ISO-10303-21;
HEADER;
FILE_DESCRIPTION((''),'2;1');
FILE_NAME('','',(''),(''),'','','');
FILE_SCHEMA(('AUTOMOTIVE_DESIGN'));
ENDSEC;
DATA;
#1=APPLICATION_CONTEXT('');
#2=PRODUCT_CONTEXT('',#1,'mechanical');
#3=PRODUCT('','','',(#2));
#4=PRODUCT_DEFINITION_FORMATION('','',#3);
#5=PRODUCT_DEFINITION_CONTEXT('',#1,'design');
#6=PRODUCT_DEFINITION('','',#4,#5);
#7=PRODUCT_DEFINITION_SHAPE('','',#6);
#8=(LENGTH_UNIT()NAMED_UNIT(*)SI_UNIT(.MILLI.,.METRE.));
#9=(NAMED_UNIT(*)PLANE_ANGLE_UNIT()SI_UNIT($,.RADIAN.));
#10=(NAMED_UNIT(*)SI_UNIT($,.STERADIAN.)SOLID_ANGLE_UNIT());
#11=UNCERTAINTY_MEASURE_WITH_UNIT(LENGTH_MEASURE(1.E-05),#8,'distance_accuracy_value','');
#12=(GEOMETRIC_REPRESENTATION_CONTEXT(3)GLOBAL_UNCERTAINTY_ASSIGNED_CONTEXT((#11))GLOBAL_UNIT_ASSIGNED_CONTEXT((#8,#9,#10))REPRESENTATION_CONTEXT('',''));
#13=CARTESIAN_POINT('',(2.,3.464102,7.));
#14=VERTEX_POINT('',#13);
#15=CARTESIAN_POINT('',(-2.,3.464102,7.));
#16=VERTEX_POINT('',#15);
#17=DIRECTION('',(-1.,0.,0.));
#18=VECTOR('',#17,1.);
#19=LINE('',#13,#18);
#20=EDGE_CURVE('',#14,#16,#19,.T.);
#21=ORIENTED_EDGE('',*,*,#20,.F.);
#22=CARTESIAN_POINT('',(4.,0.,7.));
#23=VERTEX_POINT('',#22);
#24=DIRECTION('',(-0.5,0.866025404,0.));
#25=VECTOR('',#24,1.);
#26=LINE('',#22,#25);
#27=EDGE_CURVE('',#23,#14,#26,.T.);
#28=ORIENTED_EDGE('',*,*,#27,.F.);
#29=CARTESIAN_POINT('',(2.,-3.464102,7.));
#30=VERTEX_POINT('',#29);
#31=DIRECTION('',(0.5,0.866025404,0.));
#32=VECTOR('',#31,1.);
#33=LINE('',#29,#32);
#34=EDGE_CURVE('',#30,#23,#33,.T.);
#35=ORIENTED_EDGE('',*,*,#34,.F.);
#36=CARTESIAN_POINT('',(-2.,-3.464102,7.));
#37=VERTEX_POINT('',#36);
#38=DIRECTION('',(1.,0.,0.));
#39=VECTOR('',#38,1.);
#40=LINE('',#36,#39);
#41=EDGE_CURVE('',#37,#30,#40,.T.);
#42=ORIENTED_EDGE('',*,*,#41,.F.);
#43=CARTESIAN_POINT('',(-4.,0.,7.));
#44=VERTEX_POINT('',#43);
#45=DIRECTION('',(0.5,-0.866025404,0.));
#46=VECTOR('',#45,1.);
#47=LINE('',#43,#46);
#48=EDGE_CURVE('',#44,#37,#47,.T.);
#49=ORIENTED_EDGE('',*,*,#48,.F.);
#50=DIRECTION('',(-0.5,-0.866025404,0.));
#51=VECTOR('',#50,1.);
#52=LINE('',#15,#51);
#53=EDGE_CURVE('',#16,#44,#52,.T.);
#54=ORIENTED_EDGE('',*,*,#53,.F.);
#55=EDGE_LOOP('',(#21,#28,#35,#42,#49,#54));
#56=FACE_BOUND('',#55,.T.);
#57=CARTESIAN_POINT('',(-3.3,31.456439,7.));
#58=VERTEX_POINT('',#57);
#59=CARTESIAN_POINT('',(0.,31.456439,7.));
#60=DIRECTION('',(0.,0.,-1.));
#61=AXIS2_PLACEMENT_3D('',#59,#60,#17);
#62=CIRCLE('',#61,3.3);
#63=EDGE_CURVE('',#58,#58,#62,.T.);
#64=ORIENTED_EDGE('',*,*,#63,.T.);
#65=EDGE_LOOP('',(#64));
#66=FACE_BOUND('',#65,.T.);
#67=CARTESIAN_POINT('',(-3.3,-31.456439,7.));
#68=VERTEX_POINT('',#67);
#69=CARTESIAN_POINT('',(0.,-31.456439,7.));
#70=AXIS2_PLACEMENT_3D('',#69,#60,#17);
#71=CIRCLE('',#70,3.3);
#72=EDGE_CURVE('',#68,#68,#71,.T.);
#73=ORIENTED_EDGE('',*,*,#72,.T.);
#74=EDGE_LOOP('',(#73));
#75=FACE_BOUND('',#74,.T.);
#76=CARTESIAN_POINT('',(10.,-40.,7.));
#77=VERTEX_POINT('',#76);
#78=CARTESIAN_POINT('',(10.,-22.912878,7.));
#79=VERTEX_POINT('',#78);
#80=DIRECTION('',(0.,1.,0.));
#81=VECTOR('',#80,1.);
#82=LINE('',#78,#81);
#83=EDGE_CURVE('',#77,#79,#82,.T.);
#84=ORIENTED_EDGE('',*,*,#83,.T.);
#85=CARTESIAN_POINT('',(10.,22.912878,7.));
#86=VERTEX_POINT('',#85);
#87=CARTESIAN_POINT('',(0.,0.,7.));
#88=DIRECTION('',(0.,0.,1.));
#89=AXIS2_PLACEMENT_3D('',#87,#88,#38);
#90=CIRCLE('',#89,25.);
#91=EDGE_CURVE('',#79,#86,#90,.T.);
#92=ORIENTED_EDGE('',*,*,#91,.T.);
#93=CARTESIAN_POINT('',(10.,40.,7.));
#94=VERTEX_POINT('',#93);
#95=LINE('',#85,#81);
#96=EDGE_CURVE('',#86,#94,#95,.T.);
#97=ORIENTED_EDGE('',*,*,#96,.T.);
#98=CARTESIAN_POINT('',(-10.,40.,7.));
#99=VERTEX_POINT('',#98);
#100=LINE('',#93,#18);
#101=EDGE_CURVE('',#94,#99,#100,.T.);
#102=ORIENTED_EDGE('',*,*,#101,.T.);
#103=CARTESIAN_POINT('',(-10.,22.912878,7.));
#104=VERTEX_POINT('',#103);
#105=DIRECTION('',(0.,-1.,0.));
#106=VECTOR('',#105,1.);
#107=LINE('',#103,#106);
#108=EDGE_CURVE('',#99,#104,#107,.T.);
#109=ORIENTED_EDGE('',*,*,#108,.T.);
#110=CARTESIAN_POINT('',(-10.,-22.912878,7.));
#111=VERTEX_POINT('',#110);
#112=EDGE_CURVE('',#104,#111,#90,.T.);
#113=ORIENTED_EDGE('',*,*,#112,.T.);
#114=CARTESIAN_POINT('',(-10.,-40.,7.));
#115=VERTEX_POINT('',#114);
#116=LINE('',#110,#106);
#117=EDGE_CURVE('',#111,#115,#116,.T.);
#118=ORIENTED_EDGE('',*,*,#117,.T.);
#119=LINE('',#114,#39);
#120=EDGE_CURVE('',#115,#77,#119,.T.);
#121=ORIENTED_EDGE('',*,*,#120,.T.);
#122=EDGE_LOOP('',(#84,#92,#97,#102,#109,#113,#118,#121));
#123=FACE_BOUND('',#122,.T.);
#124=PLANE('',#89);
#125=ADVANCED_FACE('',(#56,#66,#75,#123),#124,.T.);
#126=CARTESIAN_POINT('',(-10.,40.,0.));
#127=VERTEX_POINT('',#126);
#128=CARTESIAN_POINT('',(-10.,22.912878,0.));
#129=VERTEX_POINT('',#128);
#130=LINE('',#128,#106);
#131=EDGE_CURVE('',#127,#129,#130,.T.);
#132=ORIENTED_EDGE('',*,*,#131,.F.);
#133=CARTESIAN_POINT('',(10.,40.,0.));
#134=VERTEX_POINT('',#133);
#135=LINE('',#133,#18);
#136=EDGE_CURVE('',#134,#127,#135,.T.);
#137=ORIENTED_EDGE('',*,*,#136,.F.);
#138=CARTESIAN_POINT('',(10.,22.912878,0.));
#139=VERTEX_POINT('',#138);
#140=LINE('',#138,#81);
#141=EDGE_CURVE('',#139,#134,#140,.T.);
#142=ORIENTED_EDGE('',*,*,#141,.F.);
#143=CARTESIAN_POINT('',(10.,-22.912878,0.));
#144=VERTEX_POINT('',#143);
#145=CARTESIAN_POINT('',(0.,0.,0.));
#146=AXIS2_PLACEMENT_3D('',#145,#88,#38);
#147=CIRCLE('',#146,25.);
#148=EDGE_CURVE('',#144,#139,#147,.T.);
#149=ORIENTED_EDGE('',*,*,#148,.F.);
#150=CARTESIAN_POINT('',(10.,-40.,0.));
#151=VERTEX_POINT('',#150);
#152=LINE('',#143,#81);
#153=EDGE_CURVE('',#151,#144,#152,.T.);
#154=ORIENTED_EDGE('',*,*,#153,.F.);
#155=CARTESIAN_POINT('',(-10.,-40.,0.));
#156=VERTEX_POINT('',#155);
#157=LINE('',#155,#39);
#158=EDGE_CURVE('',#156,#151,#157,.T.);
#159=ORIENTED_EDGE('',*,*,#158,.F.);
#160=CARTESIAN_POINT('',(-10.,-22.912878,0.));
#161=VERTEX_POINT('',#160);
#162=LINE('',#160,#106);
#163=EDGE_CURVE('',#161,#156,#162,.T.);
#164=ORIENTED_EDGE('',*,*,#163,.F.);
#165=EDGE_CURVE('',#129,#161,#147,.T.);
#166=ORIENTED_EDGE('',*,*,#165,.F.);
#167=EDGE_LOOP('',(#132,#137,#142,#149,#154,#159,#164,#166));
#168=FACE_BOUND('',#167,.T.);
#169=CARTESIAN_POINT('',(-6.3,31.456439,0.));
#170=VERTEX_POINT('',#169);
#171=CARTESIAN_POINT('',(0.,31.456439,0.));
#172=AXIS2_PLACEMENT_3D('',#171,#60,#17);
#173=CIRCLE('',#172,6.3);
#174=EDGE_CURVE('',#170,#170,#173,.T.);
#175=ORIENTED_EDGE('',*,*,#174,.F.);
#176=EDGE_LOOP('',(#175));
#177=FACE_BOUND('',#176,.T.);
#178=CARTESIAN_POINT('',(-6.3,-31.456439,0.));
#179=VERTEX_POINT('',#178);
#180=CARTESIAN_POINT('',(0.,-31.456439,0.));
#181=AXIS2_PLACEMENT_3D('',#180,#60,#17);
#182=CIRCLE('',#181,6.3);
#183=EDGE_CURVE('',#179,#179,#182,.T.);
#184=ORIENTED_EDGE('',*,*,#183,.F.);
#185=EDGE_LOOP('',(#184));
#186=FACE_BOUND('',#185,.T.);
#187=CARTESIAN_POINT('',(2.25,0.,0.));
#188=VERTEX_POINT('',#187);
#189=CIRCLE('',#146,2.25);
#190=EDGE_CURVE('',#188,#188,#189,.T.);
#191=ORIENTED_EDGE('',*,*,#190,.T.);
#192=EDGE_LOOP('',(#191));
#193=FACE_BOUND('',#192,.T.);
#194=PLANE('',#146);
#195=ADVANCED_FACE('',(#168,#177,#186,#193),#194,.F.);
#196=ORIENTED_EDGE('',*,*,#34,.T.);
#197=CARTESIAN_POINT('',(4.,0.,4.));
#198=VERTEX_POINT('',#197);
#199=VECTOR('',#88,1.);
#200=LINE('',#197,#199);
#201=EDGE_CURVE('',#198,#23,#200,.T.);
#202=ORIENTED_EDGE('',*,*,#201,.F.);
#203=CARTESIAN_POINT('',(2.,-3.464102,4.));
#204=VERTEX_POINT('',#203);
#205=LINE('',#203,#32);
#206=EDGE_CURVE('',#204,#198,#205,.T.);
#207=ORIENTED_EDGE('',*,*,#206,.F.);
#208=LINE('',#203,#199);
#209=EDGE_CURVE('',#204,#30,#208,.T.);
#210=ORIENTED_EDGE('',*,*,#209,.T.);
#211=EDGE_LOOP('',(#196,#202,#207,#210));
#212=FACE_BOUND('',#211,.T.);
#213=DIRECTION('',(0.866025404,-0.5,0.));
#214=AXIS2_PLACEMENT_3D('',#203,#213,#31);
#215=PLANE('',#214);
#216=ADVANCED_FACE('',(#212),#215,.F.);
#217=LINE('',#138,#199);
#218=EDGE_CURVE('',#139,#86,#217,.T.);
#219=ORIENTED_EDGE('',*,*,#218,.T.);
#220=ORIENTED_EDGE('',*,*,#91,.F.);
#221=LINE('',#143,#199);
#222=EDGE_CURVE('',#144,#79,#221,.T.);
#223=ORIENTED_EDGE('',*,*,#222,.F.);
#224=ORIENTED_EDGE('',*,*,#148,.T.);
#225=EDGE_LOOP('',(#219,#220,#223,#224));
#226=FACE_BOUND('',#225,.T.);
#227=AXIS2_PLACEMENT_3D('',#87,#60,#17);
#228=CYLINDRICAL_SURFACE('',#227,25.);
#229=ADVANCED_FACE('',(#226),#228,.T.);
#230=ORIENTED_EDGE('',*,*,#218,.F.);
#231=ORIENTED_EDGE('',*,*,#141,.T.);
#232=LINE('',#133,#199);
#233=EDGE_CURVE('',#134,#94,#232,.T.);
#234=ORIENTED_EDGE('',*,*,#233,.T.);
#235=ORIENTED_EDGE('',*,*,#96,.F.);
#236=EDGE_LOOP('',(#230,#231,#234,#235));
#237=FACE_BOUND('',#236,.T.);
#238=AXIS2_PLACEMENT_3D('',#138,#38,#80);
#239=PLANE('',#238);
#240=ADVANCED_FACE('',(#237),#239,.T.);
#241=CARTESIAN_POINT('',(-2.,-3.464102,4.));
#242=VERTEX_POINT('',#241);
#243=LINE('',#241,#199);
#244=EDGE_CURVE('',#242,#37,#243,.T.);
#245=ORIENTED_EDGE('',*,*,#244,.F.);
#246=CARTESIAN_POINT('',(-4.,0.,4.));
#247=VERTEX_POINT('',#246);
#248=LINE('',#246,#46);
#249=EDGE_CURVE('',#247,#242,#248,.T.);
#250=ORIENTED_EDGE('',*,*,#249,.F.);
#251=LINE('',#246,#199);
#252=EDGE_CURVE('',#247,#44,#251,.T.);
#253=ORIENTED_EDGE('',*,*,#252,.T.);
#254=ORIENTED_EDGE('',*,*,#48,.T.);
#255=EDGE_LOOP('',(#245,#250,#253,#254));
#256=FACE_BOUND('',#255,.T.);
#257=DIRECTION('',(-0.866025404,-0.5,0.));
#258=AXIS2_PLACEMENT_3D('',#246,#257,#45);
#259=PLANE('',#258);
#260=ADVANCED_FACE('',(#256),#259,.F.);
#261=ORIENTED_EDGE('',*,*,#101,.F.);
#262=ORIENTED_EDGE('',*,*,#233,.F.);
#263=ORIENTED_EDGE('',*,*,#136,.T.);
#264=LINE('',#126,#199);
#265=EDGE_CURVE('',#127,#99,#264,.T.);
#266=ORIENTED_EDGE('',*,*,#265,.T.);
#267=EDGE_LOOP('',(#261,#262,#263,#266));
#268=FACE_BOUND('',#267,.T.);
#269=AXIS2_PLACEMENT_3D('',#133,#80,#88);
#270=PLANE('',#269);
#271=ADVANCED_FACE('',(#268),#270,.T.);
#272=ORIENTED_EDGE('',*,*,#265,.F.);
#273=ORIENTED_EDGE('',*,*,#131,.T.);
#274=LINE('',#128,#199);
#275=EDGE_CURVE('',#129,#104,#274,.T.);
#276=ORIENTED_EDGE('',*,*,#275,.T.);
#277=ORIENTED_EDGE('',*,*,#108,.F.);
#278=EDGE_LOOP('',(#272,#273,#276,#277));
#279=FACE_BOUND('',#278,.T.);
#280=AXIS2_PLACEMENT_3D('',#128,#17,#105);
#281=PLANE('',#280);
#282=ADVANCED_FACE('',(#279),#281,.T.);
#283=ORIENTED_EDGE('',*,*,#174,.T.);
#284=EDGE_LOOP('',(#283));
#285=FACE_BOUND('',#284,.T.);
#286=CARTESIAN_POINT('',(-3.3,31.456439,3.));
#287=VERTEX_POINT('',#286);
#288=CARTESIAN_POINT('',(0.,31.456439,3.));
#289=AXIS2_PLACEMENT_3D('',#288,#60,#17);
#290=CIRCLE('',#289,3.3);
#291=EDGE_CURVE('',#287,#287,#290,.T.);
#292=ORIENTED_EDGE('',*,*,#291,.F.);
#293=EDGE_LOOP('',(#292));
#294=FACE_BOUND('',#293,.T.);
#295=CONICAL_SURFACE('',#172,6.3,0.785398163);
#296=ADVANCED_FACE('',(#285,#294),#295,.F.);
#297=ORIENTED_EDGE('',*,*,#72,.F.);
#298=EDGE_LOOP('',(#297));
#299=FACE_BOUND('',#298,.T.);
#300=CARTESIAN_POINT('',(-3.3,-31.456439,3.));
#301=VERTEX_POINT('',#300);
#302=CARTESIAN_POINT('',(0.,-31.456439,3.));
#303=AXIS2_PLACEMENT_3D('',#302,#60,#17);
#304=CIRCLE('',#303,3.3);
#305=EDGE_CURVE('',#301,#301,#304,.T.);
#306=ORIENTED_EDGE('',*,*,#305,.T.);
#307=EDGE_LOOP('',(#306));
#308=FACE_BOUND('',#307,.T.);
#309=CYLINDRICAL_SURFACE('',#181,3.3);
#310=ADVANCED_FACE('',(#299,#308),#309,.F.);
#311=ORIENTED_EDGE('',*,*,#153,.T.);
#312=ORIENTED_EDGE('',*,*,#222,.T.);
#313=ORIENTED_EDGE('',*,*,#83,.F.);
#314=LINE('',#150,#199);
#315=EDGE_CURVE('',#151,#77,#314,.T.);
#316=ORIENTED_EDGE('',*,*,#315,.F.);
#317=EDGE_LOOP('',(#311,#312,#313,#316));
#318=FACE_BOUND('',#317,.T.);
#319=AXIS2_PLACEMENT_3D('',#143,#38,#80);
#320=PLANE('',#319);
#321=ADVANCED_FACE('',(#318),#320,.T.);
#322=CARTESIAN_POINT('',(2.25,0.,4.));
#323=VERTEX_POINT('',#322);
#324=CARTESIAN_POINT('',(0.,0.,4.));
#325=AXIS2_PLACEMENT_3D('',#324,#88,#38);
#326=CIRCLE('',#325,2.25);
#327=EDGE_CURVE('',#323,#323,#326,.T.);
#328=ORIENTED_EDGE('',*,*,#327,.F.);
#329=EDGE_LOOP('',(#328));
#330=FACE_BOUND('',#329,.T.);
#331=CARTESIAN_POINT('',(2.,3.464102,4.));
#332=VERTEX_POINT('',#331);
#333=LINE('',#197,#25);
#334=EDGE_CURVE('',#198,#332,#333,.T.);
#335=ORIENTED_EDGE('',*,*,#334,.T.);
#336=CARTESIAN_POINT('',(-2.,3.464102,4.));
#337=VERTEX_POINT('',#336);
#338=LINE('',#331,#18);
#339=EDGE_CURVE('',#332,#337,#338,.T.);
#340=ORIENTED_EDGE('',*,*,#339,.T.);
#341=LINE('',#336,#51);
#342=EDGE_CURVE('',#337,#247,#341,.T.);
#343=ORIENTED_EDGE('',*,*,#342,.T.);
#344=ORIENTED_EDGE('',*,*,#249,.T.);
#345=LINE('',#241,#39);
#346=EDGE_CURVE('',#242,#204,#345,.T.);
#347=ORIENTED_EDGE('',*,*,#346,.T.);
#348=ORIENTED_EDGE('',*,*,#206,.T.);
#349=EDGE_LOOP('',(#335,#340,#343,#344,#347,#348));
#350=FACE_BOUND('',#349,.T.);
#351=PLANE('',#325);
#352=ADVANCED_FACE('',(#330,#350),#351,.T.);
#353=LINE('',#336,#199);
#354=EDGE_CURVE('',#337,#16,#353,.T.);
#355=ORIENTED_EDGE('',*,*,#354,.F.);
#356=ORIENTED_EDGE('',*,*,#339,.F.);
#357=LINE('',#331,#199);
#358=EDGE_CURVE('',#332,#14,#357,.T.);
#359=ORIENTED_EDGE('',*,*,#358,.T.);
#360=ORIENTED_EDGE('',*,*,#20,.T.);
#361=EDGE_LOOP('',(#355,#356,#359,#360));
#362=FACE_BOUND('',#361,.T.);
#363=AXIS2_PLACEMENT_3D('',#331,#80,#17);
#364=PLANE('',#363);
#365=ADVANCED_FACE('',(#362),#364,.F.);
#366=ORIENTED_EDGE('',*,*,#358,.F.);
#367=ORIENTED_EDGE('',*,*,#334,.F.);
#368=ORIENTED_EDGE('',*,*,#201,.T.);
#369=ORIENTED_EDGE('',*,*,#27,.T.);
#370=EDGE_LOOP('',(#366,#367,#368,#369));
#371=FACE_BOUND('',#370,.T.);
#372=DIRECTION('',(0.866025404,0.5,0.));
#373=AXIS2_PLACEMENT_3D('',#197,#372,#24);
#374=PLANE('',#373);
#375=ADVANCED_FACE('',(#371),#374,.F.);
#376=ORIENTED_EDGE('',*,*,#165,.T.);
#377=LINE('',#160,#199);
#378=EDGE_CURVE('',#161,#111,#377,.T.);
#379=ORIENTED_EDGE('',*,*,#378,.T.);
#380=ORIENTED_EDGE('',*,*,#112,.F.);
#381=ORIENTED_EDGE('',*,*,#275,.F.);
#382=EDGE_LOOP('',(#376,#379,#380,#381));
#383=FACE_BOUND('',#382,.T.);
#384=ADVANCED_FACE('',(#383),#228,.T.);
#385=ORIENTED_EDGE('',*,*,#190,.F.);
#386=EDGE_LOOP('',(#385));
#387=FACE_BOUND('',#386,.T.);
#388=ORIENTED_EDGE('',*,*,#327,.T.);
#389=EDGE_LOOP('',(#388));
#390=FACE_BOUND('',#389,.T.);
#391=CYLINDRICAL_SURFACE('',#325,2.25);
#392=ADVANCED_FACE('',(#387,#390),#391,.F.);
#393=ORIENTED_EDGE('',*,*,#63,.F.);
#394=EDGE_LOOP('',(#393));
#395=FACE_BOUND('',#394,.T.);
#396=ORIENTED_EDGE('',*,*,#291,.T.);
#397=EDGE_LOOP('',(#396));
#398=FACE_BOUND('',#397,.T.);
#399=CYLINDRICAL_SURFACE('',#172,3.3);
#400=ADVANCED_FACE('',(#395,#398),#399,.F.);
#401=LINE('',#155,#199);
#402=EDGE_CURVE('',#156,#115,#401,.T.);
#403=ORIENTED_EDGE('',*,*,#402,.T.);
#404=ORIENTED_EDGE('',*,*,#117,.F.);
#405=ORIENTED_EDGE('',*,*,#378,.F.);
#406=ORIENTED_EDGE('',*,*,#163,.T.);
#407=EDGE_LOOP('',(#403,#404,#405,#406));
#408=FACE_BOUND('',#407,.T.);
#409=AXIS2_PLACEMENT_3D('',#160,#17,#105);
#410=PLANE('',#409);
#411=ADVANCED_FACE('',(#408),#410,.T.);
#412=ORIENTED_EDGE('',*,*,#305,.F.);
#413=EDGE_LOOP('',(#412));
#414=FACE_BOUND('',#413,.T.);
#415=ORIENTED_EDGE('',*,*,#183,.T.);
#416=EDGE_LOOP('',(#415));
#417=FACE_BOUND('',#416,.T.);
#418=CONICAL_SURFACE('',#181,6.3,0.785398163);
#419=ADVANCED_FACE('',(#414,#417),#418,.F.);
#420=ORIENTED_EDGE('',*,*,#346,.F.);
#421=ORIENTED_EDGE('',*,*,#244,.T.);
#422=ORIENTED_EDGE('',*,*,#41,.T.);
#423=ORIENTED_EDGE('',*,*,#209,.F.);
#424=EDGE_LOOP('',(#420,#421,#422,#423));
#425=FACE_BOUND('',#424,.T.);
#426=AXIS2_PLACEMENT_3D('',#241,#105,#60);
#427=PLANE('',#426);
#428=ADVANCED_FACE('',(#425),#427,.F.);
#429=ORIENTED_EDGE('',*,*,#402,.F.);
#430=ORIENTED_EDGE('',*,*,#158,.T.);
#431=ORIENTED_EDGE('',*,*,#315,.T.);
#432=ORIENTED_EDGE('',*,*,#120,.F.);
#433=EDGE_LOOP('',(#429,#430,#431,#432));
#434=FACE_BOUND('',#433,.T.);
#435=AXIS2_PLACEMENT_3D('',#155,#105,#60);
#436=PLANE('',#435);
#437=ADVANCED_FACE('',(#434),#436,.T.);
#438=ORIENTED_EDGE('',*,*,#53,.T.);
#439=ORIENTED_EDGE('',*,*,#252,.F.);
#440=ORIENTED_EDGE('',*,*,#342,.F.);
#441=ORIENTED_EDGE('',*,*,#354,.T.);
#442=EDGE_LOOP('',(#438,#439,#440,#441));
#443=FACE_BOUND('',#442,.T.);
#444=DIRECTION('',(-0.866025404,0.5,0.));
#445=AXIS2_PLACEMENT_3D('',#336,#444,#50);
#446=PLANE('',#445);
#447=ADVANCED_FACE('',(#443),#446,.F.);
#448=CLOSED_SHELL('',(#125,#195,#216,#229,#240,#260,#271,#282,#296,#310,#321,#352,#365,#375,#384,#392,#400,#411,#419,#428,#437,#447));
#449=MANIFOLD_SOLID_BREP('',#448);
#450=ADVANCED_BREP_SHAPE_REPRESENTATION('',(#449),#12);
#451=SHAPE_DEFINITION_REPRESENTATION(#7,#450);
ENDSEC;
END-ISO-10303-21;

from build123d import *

# Parameters (mm, degrees)
SKETCH1_R                                           = 25
BOSS_EXTRUDE1_DEPTH                                 = 7
BOSS_EXTRUDE2_DEPTH                                 = 7
CSK_FOR_M6_COUNTERSUNK_FLAT_HEAD_SCREW2_D           = 6.6
CSK_FOR_M6_COUNTERSUNK_FLAT_HEAD_SCREW2_CSINK_D     = 12.6
CSK_FOR_M6_COUNTERSUNK_FLAT_HEAD_SCREW2_CSINK_ANGLE = 90
CUT_EXTRUDE1_DEPTH                                  = 3
M4_CLEARANCE_HOLE1_D                                = 4.5
M4_CLEARANCE_HOLE1_DEPTH                            = 10
M4_CLEARANCE_HOLE1_TIP                              = 1.351936393
CIRPATTERN1_COUNT                                   = 2


with BuildPart() as part:
    # Sketch1 → Boss-Extrude1 (new body)
    with BuildSketch(Plane.XY):
        Circle(SKETCH1_R)
    extrude(amount=BOSS_EXTRUDE1_DEPTH)

    # Sketch2 → Boss-Extrude2 (add)
    with BuildSketch(Plane.XY.offset(7)):
        with BuildLine():
            Line((-10, -40), (10, -40))
            Line((10, -40), (10, -22.912878475))
            ThreePointArc((10, -22.912878475), (0, -25), (-10, -22.912878475))
            Line((-10, -22.912878475), (-10, -40))
        make_face()
    boss_extrude2 = extrude(amount=-BOSS_EXTRUDE2_DEPTH)

    # CSK for M6 Countersunk Flat Head Screw2 (through all)
    with Locations(Plane(origin=(0, 0, 0), x_dir=(-1, 0, 0), z_dir=(0, 0, -1))):
        with Locations((0, -31.456439237)):
            csk_for_m6_countersunk_flat_head_screw2 = CounterSinkHole(CSK_FOR_M6_COUNTERSUNK_FLAT_HEAD_SCREW2_D / 2, CSK_FOR_M6_COUNTERSUNK_FLAT_HEAD_SCREW2_CSINK_D / 2, counter_sink_angle=CSK_FOR_M6_COUNTERSUNK_FLAT_HEAD_SCREW2_CSINK_ANGLE)

    # Sketch10 → Cut-Extrude1 (cut)
    with BuildSketch(Plane.XY.offset(7)):
        Polygon((4, 0), (2, 3.464101615), (-2, 3.464101615), (-4, 0), (-2, -3.464101615), (2, -3.464101615), align=None)
    extrude(amount=-CUT_EXTRUDE1_DEPTH, mode=Mode.SUBTRACT)

    # M4 Clearance Hole1
    with Locations(Plane.XY.offset(4)):
        with Locations((0, 0)):
            Hole(M4_CLEARANCE_HOLE1_D / 2, depth=M4_CLEARANCE_HOLE1_DEPTH)
            with Locations((0, 0, -(M4_CLEARANCE_HOLE1_DEPTH + M4_CLEARANCE_HOLE1_TIP / 2))):  # 118° drill point
                Cone(0, M4_CLEARANCE_HOLE1_D / 2, M4_CLEARANCE_HOLE1_TIP, mode=Mode.SUBTRACT)

    # CirPattern1: Boss-Extrude2, CSK for M6 Countersunk Flat Head Screw2 ×2 about axis
    cirpattern1_axis = Axis((0, 0, 0), (0, 0, 1))
    for i in range(1, CIRPATTERN1_COUNT):
        add(boss_extrude2.rotate(cirpattern1_axis, i * 360 / CIRPATTERN1_COUNT))
        add(csk_for_m6_countersunk_flat_head_screw2.rotate(cirpattern1_axis, i * 360 / CIRPATTERN1_COUNT), mode=Mode.SUBTRACT)


solid = part.part
